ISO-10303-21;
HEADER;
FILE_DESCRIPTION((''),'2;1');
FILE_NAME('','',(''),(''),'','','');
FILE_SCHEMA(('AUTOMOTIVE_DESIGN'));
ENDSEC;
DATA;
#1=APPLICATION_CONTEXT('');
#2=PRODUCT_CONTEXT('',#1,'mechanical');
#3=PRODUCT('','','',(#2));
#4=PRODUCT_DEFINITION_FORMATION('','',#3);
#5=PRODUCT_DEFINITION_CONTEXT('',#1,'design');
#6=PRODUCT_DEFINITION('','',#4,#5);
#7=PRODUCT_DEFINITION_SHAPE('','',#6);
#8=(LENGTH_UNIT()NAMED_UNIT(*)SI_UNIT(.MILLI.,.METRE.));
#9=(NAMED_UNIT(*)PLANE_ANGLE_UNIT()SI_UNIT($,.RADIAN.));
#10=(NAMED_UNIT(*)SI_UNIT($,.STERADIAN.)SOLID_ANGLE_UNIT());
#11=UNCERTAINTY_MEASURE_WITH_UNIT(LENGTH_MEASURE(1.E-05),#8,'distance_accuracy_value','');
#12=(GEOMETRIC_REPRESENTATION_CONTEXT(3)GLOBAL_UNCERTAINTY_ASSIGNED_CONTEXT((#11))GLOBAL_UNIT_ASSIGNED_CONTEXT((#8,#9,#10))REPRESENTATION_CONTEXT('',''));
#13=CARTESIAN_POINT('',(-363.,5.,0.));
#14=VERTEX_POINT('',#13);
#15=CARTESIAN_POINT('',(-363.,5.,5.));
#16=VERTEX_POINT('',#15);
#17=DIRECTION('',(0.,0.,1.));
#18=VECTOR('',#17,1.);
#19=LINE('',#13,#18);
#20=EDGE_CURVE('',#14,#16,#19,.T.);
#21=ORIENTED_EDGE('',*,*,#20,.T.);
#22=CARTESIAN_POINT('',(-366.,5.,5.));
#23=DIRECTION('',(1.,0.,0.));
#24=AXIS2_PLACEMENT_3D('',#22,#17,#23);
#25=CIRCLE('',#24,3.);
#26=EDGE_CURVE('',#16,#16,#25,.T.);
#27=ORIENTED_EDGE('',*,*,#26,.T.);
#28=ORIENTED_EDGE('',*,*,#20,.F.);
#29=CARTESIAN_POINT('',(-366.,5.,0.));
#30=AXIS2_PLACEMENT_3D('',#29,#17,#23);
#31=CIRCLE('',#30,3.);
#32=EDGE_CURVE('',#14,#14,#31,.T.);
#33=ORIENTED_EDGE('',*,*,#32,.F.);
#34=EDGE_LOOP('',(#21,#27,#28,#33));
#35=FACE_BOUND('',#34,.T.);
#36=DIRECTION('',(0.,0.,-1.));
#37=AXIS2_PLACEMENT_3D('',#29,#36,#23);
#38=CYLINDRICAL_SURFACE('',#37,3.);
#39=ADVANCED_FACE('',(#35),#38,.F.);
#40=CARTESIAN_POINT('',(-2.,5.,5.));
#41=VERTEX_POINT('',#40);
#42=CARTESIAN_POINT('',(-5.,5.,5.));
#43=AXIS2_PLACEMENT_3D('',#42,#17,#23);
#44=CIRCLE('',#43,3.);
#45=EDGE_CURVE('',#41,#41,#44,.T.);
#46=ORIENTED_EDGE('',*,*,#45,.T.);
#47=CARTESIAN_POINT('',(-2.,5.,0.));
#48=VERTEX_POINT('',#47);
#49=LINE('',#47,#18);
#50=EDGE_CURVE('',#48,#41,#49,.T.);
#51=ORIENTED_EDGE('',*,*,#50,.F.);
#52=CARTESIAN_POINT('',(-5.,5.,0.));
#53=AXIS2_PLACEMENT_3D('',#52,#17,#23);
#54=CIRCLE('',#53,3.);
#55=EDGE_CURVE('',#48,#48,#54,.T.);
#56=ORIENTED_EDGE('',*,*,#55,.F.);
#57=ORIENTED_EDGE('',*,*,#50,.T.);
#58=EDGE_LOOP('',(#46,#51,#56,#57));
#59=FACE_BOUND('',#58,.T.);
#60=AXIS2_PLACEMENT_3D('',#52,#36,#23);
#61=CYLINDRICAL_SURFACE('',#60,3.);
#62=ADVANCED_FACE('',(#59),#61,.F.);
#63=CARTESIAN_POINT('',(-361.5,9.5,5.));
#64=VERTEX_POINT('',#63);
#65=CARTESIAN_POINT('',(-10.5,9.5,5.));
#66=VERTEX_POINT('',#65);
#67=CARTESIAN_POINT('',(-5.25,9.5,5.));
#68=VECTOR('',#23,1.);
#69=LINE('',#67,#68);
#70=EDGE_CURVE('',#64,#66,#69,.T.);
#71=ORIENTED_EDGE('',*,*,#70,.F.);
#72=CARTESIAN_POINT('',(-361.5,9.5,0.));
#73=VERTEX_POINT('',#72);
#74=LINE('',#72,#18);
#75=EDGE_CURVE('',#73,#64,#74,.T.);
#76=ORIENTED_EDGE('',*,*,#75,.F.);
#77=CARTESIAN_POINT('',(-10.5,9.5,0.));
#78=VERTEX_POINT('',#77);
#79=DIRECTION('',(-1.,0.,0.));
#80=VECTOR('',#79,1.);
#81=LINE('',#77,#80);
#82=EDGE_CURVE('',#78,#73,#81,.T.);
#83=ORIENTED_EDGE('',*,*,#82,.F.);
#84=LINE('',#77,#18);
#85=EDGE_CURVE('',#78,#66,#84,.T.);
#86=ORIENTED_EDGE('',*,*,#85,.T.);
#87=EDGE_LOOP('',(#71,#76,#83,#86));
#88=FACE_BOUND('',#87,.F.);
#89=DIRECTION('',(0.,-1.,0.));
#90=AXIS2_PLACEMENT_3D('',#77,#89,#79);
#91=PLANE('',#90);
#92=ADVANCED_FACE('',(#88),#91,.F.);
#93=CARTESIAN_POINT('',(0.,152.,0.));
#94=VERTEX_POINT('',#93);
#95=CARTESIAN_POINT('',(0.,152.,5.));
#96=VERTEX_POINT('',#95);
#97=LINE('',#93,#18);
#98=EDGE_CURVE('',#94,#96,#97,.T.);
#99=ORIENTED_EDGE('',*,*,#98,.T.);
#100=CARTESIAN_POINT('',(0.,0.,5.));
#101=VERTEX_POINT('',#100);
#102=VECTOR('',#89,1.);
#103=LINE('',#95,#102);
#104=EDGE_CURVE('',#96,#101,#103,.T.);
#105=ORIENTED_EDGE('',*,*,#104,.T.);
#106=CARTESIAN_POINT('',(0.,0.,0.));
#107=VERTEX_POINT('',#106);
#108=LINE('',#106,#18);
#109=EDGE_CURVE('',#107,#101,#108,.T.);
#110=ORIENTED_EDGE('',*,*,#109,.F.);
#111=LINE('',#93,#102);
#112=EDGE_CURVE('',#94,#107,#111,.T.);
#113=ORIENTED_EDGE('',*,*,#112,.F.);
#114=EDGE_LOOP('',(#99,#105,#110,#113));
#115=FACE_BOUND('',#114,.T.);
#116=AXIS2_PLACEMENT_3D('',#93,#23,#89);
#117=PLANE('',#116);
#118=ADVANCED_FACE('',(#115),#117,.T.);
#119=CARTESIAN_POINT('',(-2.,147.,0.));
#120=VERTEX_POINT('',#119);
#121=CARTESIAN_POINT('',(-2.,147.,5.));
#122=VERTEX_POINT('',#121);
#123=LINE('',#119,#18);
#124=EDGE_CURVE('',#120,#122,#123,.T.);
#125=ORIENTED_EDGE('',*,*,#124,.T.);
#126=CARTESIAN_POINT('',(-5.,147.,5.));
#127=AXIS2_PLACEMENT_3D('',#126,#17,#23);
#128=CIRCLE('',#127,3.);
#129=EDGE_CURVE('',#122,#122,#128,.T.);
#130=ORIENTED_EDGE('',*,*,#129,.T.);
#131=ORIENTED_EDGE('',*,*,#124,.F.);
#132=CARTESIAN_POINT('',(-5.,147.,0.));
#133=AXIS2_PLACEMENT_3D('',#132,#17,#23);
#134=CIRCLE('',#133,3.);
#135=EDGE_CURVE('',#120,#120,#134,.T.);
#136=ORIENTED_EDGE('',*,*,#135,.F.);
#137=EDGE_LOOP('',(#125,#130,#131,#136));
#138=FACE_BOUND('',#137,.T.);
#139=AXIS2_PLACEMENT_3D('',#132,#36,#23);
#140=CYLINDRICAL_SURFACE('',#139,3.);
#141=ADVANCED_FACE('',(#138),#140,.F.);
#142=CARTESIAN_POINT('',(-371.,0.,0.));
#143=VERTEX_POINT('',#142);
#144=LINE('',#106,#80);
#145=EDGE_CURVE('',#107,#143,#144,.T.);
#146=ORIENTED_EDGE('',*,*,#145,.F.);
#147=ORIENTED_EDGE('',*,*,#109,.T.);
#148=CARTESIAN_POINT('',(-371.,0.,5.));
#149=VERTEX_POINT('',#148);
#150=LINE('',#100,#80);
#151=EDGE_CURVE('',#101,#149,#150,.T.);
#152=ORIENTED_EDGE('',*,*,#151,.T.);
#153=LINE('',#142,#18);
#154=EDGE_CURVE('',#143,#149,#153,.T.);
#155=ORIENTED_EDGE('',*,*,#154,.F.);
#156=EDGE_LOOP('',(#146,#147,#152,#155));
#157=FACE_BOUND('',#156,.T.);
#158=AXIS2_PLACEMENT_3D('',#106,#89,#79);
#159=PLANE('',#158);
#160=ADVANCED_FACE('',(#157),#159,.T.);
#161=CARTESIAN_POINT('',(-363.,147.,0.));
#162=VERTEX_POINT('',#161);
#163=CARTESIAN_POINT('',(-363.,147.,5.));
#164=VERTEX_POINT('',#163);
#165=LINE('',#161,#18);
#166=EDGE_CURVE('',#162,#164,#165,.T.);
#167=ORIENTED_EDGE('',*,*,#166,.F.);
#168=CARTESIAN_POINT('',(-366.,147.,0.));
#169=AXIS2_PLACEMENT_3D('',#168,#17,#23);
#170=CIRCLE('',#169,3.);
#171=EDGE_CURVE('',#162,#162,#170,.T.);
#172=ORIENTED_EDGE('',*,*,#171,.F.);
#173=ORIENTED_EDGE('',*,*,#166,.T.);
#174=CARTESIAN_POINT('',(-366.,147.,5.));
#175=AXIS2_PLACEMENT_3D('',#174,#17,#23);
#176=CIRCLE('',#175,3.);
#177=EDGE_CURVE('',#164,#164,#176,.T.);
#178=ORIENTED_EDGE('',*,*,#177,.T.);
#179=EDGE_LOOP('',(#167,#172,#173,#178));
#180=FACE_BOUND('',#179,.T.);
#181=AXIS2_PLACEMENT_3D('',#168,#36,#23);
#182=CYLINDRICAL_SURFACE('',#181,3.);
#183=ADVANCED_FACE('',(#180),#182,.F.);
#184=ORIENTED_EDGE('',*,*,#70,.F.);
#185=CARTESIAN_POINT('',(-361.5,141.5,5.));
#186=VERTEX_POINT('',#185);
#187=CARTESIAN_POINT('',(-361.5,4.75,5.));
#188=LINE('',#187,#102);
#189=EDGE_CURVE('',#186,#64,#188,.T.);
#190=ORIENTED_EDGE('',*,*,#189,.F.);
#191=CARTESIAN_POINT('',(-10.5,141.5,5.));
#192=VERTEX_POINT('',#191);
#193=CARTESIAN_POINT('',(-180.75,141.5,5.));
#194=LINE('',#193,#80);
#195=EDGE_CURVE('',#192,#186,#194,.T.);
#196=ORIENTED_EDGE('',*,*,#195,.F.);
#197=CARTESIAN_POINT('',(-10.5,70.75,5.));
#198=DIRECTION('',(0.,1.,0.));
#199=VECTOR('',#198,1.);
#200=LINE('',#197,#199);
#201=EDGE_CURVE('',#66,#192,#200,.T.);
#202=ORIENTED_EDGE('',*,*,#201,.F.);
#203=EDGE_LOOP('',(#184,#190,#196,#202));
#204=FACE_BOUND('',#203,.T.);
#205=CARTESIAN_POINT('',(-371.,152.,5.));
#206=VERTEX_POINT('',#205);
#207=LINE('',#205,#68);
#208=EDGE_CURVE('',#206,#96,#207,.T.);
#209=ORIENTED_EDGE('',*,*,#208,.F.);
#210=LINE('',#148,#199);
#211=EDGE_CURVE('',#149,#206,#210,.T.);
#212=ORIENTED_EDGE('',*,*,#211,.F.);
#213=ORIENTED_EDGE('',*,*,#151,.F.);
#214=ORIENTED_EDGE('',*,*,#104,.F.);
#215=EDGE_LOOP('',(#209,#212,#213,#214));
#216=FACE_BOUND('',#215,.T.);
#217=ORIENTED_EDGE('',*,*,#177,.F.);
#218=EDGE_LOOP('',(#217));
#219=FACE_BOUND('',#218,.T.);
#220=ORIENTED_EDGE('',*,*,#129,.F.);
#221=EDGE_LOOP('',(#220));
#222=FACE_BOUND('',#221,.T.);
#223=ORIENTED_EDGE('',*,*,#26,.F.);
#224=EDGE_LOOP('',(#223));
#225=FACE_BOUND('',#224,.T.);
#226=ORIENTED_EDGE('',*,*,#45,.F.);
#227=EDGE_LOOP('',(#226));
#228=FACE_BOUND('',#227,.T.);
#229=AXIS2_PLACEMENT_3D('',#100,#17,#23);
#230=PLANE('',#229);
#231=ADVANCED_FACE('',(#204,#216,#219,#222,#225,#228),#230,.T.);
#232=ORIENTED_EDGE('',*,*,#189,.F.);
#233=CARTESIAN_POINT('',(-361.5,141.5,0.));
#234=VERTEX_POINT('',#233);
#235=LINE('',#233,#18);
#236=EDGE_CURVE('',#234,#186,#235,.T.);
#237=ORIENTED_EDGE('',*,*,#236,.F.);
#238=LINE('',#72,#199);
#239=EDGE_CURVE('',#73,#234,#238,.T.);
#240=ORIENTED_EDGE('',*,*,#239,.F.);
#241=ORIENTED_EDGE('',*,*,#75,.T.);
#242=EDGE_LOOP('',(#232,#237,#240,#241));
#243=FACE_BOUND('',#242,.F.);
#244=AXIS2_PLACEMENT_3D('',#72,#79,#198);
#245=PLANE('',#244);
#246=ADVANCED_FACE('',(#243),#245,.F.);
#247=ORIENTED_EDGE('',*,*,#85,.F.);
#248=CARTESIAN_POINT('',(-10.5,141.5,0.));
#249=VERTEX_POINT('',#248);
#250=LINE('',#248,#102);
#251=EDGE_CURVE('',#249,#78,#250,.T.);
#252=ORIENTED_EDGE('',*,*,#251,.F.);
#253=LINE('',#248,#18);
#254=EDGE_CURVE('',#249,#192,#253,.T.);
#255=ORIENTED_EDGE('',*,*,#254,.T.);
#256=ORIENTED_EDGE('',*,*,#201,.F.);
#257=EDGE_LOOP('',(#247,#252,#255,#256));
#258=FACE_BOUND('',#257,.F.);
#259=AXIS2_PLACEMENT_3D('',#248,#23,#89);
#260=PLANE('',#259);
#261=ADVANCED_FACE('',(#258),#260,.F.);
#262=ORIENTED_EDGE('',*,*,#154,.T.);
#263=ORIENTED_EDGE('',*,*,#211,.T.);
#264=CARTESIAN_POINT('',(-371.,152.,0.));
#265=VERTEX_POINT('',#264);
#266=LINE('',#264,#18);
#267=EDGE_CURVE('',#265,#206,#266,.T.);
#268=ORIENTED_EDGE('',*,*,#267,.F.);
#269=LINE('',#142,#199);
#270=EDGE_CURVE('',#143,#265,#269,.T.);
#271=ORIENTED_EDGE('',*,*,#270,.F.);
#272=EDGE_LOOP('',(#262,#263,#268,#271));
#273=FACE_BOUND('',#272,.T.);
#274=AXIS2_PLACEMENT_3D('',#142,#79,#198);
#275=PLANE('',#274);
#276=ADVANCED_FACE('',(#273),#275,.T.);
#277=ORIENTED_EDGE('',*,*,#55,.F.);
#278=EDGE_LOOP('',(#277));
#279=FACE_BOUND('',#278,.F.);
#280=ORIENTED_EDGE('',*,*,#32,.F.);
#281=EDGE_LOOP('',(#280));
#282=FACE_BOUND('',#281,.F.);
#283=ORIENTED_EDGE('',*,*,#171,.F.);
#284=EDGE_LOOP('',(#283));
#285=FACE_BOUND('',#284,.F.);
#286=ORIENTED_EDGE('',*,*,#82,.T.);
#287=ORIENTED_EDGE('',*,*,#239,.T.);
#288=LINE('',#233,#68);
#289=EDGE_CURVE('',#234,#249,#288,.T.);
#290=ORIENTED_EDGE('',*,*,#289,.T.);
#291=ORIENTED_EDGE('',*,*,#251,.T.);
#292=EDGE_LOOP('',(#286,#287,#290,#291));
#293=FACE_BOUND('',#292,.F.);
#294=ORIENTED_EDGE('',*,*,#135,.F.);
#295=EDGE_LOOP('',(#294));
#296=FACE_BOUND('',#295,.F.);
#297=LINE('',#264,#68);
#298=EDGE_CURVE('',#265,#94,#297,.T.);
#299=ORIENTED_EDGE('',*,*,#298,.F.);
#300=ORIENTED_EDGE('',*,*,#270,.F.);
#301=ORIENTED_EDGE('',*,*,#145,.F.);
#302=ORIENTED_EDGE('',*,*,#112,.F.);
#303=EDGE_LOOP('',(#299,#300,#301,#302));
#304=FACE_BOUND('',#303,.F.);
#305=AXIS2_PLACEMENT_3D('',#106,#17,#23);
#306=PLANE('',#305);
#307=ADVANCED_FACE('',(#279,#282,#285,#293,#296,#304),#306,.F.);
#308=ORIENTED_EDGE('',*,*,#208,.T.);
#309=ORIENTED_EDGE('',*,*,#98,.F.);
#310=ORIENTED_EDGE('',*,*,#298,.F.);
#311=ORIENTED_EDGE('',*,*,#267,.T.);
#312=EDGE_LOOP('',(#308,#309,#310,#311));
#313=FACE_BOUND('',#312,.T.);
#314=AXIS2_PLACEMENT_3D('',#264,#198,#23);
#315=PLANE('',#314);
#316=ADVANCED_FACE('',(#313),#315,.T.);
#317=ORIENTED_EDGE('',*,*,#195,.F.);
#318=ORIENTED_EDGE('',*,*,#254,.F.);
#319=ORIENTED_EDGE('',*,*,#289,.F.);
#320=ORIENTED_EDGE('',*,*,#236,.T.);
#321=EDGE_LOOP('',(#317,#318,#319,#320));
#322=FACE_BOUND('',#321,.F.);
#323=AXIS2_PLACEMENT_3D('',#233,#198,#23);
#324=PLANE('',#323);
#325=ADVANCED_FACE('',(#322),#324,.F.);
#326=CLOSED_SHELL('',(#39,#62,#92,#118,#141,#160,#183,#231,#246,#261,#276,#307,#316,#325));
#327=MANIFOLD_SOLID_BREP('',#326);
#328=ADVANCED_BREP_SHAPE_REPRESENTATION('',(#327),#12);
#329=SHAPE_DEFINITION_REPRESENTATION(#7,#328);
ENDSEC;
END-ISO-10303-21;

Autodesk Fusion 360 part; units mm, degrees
sketch "Sketch1" plane through (0, 0, 0) normal (0, 0, 1) x (1, 0, 0)
  line L0 (0, 0) -> (-371, 0)
  line L1 (-371, 0) -> (-371, 152)
  line L2 (-371, 152) -> (0, 152)
  line L3 (0, 152) -> (0, 0)
  circle A0 centre (-366, 147) radius 1.7
  circle A1 centre (-5, 5) radius 1.7
  circle A2 centre (-366, 5) radius 1.7
  circle A3 centre (-5, 147) radius 1.7
  circle A4 centre (-366, 147) radius 3
  circle A5 centre (-5, 5) radius 3
  circle A6 centre (-366, 5) radius 3
  circle A7 centre (-5, 147) radius 3
  dimension "d1" = 371
  dimension "d2" = 152
  dimension "d3" = 3.4
  dimension "d4" = 5
  dimension "d5" = 5
  dimension "d6" = 3.4
  dimension "d7" = 3.4
  dimension "d8" = 3.4
  dimension "d9" = 5
  dimension "d10" = 5
  dimension "d11" = 5
  dimension "d12" = 5
  dimension "d13" = 5
  dimension "d14" = 5
  dimension "d15" = 6
  dimension "d16" = 6
  dimension "d17" = 6
  dimension "d18" = 6
sketch "Sketch2" plane through (0, 0, 0) normal (0, 0, 1) x (1, 0, 0)
  line L0 (-361.5, 141.5) -> (-10.5, 141.5)
  line L1 (-10.5, 141.5) -> (-10.5, 9.5)
  line L2 (-10.5, 9.5) -> (-361.5, 9.5)
  line L3 (-361.5, 9.5) -> (-361.5, 141.5)
  line L4 (0, 0) -> (-371, 0)
  line L5 (-371, 0) -> (-371, 152)
  dimension "d19" = 351
  dimension "d20" = 132
  dimension "d21" = 9.5
  dimension "d22" = 9.5
extrude "Extrude1" add sketch "Sketch1" along normal blind 5 contours L0 L1 L2 L3
extrude "Extrude2" cut sketch "Sketch2" along normal blind 10
